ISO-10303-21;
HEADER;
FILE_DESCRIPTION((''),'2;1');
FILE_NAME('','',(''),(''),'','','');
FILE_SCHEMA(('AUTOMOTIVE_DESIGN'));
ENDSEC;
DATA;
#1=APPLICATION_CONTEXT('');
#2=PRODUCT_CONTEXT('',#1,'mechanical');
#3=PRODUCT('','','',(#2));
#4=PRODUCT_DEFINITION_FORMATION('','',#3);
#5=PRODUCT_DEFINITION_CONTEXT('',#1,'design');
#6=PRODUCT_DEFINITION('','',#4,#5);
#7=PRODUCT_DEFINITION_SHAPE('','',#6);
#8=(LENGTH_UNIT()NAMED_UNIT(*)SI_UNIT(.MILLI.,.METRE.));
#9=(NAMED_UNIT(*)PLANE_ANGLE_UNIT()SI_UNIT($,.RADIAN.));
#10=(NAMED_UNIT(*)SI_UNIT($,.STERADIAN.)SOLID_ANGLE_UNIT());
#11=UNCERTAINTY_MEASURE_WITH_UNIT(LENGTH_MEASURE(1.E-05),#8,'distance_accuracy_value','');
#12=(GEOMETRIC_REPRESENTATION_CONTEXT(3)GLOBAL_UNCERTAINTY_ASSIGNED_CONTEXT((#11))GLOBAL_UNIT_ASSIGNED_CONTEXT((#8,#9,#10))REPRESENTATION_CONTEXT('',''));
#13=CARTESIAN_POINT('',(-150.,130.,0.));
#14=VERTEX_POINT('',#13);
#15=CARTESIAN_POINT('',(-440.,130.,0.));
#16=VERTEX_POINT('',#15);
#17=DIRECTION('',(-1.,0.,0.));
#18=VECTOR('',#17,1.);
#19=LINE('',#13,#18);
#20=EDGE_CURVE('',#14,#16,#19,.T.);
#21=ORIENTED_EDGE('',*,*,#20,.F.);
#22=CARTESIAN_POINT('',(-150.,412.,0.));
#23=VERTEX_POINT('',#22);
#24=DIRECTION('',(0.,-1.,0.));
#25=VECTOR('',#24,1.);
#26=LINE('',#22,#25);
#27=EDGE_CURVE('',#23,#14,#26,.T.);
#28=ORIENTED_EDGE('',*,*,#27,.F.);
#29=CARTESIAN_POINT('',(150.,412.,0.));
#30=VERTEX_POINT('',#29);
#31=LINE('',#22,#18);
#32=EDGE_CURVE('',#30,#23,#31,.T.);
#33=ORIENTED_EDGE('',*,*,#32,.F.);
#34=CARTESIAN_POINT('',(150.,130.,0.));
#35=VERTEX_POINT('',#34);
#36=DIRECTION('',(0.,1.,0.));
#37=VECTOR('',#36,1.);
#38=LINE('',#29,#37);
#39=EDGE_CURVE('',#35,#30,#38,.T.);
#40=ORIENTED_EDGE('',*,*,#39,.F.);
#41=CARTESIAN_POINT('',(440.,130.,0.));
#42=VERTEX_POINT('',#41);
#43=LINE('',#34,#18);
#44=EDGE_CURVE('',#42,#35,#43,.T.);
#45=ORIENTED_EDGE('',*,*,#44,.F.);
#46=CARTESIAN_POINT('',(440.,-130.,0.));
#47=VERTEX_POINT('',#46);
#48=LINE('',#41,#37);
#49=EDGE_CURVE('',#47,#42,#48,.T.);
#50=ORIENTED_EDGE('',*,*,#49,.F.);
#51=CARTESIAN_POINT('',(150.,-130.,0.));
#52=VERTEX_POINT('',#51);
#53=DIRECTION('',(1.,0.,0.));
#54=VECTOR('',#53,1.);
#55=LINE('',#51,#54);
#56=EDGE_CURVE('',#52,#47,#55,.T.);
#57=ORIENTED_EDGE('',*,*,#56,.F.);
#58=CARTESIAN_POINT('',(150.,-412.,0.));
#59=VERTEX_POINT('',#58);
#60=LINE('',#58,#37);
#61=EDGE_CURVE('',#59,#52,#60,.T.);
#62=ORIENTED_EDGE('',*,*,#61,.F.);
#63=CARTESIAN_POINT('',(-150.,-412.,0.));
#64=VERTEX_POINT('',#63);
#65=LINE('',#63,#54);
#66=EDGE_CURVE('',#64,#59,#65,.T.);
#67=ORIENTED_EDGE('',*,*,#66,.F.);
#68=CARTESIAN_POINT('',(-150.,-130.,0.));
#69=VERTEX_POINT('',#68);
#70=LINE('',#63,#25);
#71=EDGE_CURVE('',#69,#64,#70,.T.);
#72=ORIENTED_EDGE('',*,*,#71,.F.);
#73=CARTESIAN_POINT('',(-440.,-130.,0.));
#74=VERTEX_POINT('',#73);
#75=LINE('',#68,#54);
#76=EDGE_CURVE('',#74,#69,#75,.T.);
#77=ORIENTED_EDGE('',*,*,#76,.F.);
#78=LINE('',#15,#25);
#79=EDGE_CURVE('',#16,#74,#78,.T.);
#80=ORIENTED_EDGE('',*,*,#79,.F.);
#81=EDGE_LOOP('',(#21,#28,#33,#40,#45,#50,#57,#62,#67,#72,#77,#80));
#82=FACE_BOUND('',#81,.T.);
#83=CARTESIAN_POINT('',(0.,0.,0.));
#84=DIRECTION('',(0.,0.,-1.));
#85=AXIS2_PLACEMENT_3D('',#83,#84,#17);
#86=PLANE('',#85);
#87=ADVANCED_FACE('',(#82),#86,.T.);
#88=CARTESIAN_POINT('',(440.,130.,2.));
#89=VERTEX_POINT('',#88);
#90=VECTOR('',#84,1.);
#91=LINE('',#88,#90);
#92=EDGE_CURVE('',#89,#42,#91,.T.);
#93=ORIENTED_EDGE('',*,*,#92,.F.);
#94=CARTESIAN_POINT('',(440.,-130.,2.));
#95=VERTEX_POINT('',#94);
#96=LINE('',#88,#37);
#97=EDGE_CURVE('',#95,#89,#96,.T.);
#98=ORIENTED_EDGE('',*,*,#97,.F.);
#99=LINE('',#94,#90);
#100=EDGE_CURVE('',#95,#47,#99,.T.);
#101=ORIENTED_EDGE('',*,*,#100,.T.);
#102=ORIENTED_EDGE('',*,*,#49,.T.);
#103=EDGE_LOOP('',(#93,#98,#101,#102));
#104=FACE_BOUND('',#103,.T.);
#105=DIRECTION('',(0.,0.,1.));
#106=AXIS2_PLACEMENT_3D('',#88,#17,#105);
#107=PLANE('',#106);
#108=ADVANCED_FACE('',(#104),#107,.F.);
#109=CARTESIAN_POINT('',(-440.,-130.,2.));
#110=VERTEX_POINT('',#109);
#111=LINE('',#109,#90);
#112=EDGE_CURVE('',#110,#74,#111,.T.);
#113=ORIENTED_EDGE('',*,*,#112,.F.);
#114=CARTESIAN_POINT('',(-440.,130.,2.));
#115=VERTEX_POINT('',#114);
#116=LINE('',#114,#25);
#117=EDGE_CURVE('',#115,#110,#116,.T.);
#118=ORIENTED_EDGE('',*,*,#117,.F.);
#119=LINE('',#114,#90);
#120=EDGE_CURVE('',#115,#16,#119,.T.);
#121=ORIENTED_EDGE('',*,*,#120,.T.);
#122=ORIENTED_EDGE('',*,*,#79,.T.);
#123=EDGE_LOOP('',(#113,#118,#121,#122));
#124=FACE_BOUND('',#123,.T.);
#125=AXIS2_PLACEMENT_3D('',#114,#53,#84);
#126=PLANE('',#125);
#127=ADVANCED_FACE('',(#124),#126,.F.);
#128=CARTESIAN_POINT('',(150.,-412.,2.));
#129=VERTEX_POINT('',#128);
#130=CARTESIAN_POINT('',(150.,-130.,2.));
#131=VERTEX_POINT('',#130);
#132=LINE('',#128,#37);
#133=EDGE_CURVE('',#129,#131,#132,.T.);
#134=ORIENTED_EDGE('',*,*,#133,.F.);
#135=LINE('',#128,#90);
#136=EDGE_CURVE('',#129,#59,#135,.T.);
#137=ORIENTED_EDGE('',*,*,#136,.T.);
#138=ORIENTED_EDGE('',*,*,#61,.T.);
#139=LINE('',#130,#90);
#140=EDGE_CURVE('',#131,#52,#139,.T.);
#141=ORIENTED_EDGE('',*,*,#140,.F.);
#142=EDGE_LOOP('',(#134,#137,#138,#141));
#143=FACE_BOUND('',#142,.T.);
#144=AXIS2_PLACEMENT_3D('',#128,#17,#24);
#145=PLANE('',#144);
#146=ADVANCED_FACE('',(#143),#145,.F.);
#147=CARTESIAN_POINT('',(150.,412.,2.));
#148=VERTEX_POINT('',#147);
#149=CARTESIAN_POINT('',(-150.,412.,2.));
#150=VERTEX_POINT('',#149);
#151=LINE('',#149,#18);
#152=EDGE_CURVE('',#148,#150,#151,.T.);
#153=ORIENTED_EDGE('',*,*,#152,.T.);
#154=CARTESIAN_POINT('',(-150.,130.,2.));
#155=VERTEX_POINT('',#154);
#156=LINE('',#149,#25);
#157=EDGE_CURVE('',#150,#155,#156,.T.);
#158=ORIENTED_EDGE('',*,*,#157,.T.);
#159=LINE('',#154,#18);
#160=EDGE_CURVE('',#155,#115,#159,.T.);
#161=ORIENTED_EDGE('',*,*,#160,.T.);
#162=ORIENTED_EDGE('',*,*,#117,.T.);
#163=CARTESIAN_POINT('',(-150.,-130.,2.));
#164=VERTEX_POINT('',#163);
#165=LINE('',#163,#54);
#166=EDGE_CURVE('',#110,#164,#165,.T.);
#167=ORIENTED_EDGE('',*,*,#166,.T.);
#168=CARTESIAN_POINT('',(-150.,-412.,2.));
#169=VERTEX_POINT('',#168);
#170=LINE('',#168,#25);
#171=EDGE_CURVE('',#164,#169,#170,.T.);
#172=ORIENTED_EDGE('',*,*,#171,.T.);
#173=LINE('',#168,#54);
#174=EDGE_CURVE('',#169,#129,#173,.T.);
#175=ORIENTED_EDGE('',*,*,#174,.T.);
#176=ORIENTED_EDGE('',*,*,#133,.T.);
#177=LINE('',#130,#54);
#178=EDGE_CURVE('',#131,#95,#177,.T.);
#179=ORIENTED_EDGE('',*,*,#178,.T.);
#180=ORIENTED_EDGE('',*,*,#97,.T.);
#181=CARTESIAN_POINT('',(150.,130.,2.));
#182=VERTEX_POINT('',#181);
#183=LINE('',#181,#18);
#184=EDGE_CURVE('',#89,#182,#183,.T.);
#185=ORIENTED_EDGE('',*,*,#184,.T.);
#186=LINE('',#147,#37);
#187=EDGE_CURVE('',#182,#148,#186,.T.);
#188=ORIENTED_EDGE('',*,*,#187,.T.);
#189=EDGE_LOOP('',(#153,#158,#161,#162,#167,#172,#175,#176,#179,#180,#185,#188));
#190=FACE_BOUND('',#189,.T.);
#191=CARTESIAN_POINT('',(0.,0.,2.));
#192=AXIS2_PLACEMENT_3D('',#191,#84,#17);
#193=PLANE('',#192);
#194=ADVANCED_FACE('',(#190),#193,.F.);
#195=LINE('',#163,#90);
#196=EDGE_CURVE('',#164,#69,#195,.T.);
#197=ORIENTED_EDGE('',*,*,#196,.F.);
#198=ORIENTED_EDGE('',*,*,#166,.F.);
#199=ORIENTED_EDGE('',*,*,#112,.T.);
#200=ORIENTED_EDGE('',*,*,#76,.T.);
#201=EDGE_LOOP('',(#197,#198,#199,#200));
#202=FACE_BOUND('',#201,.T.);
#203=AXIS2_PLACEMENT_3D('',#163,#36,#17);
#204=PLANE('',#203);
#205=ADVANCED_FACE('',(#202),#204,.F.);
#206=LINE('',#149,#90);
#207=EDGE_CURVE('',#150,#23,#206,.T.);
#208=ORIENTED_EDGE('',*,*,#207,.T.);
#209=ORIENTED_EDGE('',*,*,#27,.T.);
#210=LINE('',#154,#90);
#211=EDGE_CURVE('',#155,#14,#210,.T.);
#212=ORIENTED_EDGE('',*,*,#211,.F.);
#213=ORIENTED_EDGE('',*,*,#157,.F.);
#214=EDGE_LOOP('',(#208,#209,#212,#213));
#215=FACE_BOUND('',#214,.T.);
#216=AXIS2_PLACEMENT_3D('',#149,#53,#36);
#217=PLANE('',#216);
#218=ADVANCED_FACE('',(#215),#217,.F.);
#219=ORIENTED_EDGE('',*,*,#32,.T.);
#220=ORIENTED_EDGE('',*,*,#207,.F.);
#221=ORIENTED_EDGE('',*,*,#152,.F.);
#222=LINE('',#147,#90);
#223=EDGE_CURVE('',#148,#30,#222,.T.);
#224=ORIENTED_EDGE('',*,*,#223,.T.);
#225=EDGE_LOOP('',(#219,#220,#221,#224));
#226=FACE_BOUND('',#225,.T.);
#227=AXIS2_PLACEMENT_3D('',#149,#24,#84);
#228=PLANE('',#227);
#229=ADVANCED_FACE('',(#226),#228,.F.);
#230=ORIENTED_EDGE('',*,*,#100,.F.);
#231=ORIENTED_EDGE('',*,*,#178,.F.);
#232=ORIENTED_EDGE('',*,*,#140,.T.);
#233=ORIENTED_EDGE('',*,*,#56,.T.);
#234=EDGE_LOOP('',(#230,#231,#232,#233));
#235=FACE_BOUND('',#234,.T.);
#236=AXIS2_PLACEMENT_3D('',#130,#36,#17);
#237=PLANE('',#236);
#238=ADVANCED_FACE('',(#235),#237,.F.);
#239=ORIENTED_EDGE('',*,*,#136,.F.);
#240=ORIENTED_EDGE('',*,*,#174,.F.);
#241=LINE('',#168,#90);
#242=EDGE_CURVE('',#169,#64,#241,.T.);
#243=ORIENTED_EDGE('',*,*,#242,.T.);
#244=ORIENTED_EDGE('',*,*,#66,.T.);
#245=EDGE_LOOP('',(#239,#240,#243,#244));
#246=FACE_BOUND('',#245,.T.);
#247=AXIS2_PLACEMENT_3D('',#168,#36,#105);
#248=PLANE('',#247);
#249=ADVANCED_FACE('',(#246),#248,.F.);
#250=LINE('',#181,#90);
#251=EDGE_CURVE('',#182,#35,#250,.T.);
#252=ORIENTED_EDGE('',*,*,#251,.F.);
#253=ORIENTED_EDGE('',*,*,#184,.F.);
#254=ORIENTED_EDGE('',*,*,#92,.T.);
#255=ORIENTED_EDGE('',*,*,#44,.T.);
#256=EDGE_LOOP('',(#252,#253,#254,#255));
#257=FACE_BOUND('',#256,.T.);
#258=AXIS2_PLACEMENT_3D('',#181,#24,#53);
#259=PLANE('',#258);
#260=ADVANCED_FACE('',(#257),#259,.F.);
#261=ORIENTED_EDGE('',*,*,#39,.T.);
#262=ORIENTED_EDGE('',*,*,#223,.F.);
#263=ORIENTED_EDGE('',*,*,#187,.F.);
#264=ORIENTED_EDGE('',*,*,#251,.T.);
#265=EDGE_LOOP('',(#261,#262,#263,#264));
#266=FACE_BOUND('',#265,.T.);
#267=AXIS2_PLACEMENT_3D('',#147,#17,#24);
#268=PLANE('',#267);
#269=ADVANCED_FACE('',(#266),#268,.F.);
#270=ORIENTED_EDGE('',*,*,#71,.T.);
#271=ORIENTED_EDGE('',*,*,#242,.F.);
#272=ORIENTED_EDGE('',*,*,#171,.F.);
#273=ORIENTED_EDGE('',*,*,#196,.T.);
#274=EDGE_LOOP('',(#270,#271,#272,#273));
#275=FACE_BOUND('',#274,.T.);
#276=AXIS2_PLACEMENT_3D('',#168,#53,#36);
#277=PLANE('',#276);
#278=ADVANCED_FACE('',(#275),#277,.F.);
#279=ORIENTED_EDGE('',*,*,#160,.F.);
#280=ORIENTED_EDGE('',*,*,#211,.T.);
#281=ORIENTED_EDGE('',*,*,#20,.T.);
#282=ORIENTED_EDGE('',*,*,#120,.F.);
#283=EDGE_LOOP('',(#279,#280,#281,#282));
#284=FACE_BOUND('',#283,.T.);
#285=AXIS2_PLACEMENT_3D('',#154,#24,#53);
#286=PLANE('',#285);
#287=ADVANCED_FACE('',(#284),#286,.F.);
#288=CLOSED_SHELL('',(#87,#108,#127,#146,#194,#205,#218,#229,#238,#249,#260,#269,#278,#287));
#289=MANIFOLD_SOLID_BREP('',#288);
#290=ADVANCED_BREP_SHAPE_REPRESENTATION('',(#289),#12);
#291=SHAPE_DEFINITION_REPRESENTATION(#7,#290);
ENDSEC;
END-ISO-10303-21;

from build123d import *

# Parameters (mm, degrees)
BOSS_EXTRUDE1_DEPTH = 2


with BuildPart() as part:
    # Sketch1 → Boss-Extrude1 (new body)
    with BuildSketch(Plane.XY):
        Polygon((-150, 412), (150, 412), (150, 130), (440, 130), (440, -130), (150, -130), (150, -412), (-150, -412), (-150, -130), (-440, -130), (-440, 130), (-150, 130), align=None)
    extrude(amount=BOSS_EXTRUDE1_DEPTH)


solid = part.part
